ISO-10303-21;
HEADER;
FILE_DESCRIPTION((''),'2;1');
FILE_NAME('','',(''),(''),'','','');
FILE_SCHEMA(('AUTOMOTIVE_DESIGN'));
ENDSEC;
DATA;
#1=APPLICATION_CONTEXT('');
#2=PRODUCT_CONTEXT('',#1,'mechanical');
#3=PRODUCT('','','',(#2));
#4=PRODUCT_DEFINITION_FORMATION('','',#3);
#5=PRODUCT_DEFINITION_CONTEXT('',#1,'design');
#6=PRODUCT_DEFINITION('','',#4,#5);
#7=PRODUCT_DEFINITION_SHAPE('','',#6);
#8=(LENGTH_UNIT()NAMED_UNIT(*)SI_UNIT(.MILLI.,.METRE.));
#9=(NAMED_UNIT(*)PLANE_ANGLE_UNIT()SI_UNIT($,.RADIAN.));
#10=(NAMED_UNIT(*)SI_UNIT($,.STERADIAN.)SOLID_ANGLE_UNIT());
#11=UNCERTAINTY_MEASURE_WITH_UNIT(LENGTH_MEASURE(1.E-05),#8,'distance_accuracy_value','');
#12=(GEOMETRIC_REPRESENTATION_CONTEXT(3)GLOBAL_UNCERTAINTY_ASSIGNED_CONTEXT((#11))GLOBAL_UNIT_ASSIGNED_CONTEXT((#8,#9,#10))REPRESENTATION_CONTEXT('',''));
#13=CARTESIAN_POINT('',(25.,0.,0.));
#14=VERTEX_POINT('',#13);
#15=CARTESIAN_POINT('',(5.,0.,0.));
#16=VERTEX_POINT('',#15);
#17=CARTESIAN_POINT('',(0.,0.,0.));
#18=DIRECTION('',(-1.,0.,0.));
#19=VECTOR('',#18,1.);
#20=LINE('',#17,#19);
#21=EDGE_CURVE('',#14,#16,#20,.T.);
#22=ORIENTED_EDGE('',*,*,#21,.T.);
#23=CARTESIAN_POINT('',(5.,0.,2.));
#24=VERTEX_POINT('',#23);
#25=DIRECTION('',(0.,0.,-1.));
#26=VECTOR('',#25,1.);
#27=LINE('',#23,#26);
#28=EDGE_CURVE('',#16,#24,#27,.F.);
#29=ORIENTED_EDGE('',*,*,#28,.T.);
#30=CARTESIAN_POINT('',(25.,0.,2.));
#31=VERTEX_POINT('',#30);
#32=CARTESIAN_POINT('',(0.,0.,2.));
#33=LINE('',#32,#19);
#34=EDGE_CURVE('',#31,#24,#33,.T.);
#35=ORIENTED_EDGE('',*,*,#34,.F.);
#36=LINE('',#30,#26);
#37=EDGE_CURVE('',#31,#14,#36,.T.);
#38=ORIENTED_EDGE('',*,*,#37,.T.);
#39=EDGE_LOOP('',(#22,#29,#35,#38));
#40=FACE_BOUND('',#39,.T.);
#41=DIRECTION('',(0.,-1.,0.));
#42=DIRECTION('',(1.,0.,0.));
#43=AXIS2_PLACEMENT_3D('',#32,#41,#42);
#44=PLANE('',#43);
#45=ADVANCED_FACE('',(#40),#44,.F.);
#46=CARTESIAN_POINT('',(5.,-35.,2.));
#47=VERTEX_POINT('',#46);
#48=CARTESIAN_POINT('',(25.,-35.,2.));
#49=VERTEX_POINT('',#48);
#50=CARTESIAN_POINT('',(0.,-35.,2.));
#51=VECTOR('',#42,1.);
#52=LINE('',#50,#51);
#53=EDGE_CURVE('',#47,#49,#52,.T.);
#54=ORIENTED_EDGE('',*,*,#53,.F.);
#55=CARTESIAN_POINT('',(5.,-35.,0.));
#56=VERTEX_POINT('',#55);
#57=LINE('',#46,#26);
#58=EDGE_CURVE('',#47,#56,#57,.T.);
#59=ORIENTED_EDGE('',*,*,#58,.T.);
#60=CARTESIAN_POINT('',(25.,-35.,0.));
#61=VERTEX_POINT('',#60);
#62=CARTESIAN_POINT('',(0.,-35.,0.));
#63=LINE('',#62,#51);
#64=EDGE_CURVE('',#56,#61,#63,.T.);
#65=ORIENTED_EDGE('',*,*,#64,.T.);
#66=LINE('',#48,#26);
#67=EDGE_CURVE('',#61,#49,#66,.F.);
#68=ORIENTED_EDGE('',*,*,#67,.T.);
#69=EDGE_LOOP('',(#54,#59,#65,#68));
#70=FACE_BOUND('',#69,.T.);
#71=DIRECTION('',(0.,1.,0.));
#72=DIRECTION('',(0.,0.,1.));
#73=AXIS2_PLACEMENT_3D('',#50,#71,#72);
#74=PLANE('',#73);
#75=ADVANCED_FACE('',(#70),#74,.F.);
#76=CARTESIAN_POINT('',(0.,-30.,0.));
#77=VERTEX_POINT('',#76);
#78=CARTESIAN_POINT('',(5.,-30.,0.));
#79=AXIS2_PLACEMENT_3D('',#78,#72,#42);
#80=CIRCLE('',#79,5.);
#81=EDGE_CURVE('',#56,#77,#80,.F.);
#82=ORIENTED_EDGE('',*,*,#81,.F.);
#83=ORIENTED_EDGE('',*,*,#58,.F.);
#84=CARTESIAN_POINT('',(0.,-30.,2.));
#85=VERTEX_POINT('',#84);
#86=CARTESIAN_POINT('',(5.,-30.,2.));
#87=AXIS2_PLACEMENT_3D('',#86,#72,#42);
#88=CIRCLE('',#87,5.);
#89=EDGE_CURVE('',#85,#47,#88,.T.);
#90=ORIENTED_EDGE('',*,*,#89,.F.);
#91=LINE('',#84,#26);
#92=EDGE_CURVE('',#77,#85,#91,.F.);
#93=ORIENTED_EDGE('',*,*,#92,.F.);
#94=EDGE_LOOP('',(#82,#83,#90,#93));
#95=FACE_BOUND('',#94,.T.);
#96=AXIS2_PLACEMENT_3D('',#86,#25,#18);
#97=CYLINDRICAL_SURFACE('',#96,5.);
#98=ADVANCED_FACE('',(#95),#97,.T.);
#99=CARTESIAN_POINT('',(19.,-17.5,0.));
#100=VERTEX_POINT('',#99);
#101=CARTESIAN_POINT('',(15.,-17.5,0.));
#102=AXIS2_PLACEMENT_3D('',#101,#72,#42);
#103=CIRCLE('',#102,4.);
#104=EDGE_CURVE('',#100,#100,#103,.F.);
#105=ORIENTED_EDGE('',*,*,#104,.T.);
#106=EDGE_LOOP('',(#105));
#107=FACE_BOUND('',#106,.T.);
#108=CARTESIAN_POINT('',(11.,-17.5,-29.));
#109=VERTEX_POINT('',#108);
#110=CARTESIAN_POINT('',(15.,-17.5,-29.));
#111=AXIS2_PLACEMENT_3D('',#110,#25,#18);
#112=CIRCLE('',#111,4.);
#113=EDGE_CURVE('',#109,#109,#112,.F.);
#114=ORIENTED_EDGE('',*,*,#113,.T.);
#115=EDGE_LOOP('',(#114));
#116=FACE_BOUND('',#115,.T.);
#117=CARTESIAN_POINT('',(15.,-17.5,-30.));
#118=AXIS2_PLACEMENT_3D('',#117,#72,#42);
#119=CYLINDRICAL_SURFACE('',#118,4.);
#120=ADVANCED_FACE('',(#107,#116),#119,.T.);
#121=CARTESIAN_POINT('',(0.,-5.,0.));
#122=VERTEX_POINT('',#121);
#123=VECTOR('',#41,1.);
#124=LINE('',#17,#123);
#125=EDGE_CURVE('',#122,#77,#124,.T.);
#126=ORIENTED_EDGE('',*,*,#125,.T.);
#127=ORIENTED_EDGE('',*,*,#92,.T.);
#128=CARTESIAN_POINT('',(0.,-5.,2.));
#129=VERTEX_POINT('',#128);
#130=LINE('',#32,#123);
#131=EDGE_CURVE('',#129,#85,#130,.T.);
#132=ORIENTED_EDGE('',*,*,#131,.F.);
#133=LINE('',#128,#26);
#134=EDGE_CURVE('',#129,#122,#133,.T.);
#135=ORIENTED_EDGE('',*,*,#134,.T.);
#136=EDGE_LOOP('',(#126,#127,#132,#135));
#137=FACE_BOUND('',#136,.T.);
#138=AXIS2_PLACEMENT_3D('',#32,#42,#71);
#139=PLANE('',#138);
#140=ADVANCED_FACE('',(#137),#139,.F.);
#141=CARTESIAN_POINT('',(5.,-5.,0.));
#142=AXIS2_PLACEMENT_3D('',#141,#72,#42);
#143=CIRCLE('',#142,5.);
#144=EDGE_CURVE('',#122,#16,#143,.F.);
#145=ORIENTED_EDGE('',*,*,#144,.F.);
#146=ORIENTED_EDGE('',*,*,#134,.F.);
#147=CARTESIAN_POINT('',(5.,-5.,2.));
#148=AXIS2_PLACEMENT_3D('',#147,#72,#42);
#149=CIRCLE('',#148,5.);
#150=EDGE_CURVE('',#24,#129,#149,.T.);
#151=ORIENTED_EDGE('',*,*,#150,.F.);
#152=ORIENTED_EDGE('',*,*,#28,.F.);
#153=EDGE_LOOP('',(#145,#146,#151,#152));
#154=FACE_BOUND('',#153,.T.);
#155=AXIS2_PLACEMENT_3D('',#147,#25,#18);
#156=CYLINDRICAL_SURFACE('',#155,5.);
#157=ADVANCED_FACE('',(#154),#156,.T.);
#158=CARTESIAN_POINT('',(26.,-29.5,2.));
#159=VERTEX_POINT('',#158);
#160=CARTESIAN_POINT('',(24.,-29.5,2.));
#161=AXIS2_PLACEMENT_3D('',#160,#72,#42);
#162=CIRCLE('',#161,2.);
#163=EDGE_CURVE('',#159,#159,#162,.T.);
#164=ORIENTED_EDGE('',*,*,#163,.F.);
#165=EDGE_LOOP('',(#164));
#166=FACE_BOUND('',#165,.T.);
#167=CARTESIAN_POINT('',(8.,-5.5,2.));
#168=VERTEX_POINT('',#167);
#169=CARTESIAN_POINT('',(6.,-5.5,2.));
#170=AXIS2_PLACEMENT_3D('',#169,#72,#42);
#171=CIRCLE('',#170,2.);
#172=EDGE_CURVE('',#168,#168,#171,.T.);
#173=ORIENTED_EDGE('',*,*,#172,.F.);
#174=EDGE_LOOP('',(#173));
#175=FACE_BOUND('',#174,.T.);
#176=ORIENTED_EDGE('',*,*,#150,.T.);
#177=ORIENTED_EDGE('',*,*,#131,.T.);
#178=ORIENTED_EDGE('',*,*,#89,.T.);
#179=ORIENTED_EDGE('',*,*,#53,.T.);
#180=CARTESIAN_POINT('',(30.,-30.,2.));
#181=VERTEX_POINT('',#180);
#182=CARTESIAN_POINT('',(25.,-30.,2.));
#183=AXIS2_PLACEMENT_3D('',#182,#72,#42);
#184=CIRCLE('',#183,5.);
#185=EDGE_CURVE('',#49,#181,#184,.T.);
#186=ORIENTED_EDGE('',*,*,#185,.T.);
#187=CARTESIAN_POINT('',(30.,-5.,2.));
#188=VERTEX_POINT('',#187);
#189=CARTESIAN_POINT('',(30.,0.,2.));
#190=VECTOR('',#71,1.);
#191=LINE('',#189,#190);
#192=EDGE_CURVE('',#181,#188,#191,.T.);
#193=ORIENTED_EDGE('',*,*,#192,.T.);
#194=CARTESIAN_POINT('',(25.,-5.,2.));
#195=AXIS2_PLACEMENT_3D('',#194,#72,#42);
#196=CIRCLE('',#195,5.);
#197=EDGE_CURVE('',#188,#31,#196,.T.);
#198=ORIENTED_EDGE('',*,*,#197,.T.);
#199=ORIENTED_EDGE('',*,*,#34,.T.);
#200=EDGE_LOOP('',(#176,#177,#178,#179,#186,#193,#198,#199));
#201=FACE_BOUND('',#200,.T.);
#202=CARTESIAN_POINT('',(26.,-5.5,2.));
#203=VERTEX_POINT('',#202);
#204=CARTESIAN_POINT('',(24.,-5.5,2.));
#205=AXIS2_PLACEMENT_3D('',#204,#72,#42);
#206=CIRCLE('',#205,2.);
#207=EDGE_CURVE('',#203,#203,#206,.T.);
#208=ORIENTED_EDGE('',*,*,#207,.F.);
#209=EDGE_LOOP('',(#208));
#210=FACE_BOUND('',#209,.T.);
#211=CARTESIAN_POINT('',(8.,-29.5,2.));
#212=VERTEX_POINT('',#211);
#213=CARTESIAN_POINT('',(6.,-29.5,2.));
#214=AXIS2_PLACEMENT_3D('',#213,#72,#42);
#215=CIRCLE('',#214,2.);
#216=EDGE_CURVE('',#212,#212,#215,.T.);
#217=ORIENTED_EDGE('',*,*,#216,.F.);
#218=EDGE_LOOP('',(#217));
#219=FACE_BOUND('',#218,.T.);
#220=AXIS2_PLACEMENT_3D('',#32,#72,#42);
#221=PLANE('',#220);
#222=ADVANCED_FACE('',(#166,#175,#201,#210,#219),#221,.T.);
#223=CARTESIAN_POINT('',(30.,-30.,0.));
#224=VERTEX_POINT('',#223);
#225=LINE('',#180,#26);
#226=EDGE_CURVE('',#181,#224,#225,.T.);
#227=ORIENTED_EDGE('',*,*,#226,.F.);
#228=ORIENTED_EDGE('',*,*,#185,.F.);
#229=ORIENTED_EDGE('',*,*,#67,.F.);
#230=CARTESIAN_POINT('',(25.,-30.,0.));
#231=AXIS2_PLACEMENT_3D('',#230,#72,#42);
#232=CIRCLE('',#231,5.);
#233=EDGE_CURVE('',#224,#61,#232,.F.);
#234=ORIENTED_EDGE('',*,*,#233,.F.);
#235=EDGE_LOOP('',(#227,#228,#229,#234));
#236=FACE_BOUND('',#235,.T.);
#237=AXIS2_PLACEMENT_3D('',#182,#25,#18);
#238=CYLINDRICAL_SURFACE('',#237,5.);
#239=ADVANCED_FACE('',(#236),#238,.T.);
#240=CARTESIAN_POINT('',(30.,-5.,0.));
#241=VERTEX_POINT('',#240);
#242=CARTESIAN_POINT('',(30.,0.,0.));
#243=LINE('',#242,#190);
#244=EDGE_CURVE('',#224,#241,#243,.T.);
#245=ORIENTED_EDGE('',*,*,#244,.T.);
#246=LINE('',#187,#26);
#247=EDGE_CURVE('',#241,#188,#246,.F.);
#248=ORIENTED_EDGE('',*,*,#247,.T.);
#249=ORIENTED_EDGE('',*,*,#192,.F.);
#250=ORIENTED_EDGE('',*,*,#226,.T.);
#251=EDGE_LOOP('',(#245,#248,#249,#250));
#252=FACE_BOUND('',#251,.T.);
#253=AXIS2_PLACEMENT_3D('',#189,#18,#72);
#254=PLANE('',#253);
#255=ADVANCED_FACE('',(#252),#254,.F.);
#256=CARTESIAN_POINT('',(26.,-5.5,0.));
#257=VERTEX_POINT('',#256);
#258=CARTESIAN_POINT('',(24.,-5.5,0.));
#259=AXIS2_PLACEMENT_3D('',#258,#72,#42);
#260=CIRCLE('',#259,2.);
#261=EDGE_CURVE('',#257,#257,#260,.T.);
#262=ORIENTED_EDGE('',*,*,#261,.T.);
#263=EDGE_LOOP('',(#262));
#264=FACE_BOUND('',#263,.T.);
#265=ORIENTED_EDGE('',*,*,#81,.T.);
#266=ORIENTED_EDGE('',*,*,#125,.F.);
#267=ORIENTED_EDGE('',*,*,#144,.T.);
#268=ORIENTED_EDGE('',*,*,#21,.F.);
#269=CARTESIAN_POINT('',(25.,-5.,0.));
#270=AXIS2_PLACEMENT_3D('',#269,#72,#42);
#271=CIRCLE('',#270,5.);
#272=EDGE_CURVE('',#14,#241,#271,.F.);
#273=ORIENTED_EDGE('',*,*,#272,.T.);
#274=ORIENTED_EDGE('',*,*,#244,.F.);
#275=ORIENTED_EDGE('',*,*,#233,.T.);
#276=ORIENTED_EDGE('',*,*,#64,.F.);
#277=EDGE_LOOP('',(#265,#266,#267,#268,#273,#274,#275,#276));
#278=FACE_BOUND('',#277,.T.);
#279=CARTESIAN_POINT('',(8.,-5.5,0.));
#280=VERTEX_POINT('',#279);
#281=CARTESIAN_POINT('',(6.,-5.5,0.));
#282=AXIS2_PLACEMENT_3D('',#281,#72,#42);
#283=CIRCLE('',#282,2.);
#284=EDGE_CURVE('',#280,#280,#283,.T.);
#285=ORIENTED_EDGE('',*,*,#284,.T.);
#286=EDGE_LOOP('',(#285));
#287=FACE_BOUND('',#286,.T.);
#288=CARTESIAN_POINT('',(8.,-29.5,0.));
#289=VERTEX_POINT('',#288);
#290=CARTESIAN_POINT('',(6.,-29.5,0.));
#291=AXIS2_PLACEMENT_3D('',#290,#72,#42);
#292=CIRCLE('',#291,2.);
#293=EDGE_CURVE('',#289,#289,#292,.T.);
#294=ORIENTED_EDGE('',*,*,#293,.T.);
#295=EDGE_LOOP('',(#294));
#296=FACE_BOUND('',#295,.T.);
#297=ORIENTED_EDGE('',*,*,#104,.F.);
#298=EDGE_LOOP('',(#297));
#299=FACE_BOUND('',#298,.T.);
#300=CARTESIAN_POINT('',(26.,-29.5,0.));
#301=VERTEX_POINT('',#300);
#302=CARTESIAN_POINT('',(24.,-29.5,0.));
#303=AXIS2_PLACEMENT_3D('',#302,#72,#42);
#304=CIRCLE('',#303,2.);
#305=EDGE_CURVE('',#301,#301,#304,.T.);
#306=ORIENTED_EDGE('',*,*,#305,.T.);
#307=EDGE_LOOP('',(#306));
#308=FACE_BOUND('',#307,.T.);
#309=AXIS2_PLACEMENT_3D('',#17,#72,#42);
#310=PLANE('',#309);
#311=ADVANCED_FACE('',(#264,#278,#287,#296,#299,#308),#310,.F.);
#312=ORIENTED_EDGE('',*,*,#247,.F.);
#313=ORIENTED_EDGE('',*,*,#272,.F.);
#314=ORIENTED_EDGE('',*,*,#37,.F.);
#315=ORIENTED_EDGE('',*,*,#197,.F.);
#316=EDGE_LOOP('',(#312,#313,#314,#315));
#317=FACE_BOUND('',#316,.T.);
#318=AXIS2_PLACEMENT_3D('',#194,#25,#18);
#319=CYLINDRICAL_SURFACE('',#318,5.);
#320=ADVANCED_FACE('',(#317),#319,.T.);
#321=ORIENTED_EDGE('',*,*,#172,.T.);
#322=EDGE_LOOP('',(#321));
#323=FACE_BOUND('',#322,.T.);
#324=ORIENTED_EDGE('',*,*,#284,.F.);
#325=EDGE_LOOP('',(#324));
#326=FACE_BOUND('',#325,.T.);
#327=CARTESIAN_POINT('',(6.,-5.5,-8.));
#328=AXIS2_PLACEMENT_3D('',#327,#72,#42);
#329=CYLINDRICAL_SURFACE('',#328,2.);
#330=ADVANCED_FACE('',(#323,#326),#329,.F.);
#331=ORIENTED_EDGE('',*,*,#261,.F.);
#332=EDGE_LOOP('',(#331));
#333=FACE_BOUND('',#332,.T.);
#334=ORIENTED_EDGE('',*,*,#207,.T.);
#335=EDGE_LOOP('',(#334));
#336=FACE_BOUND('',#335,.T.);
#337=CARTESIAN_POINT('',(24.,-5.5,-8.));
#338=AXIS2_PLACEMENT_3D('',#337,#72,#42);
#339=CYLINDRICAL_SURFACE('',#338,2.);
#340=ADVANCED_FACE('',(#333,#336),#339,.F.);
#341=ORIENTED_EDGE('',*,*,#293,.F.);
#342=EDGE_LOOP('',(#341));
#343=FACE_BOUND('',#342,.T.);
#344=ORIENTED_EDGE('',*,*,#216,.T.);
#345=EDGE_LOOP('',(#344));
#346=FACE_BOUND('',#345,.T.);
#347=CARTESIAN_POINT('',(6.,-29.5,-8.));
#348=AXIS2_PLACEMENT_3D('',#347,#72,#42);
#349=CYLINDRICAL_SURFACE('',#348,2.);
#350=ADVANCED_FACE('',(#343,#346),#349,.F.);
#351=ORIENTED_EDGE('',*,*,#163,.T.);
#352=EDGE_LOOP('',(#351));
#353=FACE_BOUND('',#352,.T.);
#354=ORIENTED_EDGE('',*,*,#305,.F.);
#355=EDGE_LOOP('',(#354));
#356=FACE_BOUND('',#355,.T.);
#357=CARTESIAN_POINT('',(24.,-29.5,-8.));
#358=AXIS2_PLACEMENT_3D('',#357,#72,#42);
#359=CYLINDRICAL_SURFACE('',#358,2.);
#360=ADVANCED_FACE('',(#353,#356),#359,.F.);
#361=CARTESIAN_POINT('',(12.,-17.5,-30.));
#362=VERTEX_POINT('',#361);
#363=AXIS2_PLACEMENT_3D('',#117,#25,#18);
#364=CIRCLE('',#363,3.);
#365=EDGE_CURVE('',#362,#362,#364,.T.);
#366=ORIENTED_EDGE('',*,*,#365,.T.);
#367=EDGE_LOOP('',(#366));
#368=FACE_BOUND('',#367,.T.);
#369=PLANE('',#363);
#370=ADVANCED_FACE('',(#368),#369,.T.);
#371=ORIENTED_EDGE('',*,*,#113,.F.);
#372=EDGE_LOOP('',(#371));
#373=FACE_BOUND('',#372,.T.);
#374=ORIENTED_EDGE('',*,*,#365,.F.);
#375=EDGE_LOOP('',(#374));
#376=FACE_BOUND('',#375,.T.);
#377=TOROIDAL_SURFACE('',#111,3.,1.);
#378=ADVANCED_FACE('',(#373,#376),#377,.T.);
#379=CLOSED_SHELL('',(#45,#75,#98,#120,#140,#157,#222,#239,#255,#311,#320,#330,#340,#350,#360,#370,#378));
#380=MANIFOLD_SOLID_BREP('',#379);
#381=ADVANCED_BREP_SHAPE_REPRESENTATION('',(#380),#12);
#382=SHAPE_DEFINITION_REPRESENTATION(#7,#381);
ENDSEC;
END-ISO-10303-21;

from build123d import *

# Parameters (mm, degrees)
SKETCH2_W           = 30
SKETCH2_H           = 35
BOSS_EXTRUDE1_DEPTH = 2
FILLET1_R           = 5
SKETCH3_R           = 2
CUT_EXTRUDE1_DEPTH  = 10
SKETCH6_R           = 4
BOSS_EXTRUDE2_DEPTH = 30
FILLET2_R           = 1


with BuildPart() as part:
    # Sketch2 → Boss-Extrude1 (new body)
    with BuildSketch(Plane.XY):
        with Locations((15, -17.5)):
            Rectangle(SKETCH2_W, SKETCH2_H)
    extrude(amount=BOSS_EXTRUDE1_DEPTH)

    # Fillet1
    fillet1_edges = [part.edges().sort_by_distance(p)[0] for p in [
        (0, 0, 1),
        (30, 0, 1),
        (30, -35, 1),
        (0, -35, 1),
    ]]
    fillet(fillet1_edges, radius=FILLET1_R)

    # Sketch3 → Cut-Extrude1 (cut)
    with BuildSketch(Plane.XY.offset(2)):
        with Locations((6, -5.5)):
            Circle(SKETCH3_R)
        with Locations((24, -5.5)):
            Circle(SKETCH3_R)
        with Locations((6, -29.5)):
            Circle(SKETCH3_R)
        with Locations((24, -29.5)):
            Circle(SKETCH3_R)
    extrude(amount=-CUT_EXTRUDE1_DEPTH, mode=Mode.SUBTRACT)

    # Sketch6 → Boss-Extrude2 (add)
    with BuildSketch(Plane(origin=(0, 0, 0), x_dir=(-1, 0, 0), z_dir=(0, 0, -1))):
        with Locations((-15, -17.5)):
            Circle(SKETCH6_R)
    extrude(amount=BOSS_EXTRUDE2_DEPTH)

    # Fillet2
    fillet2_edges = [part.edges().sort_by_distance(p)[0] for p in [
        (19, -17.5, -30),
    ]]
    fillet(fillet2_edges, radius=FILLET2_R)


solid = part.part
